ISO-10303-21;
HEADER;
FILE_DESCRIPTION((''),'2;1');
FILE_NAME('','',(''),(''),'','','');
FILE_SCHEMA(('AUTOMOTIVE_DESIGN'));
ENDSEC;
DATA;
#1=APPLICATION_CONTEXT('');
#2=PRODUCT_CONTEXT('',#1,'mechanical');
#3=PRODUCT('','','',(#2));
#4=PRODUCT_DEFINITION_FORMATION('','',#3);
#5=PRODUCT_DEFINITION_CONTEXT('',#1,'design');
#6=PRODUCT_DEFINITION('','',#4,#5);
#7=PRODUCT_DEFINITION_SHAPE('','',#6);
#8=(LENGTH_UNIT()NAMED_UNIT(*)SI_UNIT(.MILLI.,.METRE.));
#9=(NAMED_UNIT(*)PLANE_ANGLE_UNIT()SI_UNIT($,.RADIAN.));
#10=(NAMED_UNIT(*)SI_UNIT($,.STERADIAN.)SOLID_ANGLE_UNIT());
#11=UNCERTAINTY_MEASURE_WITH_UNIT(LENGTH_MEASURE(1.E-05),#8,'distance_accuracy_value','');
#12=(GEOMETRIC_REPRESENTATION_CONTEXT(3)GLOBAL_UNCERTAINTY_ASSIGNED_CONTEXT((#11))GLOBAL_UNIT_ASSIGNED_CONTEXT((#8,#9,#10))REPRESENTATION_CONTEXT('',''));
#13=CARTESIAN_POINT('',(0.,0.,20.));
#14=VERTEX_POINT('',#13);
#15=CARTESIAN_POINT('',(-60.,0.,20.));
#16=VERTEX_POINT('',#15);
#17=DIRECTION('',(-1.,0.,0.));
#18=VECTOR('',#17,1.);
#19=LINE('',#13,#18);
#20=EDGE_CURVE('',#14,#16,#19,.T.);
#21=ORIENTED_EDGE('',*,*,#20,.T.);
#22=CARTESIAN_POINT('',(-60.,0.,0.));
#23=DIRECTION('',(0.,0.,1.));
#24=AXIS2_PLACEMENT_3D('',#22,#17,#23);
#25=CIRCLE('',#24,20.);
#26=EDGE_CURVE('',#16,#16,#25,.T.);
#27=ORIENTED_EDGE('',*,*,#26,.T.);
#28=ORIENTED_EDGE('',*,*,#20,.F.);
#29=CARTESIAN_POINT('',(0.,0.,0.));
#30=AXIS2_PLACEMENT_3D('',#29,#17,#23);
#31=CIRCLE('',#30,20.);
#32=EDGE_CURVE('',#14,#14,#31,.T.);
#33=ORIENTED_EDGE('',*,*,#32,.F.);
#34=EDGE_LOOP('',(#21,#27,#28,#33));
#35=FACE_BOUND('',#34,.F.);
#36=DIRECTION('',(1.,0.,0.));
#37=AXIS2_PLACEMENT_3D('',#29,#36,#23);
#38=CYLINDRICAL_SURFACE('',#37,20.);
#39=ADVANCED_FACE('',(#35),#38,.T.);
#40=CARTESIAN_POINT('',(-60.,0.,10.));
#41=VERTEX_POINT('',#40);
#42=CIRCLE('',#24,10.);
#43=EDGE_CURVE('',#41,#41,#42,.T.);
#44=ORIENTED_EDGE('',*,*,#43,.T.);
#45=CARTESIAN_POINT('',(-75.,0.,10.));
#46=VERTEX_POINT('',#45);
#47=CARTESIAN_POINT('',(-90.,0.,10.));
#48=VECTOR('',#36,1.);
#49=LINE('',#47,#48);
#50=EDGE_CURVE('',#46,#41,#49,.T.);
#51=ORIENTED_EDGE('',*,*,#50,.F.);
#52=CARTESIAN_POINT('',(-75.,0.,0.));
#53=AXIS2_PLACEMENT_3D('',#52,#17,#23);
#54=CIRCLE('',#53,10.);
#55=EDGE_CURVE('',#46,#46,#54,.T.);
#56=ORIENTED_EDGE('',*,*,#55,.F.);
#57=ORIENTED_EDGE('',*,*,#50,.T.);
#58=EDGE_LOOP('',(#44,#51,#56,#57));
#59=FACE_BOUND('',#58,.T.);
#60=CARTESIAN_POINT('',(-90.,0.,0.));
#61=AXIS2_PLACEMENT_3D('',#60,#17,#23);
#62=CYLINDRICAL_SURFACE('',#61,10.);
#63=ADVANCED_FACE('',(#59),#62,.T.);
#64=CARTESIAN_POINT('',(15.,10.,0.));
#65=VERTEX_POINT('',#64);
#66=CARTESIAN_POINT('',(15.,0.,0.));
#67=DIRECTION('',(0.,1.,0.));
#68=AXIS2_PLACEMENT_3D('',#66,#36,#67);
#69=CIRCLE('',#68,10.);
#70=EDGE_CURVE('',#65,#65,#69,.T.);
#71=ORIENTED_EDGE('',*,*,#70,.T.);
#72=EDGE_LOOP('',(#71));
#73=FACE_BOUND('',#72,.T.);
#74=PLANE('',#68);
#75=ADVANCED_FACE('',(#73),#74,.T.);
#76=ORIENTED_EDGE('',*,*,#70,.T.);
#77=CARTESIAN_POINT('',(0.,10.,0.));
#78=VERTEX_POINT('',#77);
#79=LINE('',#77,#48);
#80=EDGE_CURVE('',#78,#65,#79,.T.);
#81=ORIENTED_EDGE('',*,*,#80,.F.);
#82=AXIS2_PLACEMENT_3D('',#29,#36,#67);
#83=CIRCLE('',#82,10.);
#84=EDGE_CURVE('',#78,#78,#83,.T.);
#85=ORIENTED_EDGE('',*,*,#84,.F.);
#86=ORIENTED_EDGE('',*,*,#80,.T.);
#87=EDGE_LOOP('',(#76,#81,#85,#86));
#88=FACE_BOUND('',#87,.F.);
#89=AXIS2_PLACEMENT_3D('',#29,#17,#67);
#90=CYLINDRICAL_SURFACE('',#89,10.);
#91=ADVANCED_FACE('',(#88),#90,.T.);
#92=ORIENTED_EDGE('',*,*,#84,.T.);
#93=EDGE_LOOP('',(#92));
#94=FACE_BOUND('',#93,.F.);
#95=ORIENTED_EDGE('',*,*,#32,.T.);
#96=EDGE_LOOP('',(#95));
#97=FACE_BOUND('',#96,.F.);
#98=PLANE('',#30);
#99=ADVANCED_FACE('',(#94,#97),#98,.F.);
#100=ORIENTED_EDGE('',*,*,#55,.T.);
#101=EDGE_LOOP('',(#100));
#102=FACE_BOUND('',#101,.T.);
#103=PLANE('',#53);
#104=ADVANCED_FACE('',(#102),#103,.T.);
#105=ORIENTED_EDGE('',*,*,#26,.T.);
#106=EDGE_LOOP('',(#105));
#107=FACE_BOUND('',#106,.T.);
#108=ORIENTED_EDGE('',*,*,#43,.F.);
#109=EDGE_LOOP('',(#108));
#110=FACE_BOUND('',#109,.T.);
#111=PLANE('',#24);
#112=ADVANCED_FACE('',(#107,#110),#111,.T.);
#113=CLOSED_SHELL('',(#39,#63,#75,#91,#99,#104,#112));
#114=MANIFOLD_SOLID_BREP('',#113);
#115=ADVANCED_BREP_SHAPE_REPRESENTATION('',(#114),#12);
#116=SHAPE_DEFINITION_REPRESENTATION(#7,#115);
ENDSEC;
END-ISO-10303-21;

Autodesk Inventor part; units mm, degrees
ref_plane "YZ Plane" through (0, 0, 0) normal (1, 0, 0) x (0, 1, 0)
ref_plane "XZ Plane" through (0, 0, 0) normal (0, 1, 0) x (-1, 0, 0)
ref_plane "XY Plane" through (0, 0, 0) normal (0, 0, 1) x (1, 0, 0)
sketch "Sketch2" plane through (0, 0, 0) normal (1, 0, 0) x (0, 1, 0)
  circle A0 centre (0, 0) radius 10
  dimension "d5" = 20
extrude "Extrusion2" add sketch "Sketch2" along normal blind 15
sketch "Sketch3" plane through (0, 0, 0) normal (-1, 0, 0) x (0, 0, 1)
  circle A0 centre (0, 0) radius 20
  dimension "d8" = 40
extrude "Extrusion3" add sketch "Sketch3" along normal blind 90
sketch "Sketch4" plane through (-90, 0, 0) normal (-1, 0, 0) x (0, 0, 1)
  circle A0 centre (0, 0) radius 20 projected
  circle A1 centre (0, 0) radius 10
  circle A2 centre (0, 0) radius 10 projected
  circle A3 centre (0, 0) radius 20
  dimension "d11" = 20
  dimension "d12" = 40
extrude "Extrusion4" cut sketch "Sketch4" against normal blind 30
sketch "Sketch5" plane through (-90, 0, 0) normal (-1, 0, 0) x (0, 0, 1)
  circle A0 centre (0, 0) radius 10
extrude "Extrusion5" cut sketch "Sketch5" against normal blind 15
equation "\"BendRadius\" = Thickness"
equation "\"BendReliefWidth\" = Thickness"
equation "\"BendReliefDepth\" = 0.5 * Thickness"
equation "\"CornerReliefSize\" = 4 * Thickness"
equation "\"MinimumRemnant\" = 2 * Thickness"
equation "\"TransitionRadius\" = BendRadius"
equation "\"JacobiRadiusSize\" = BendRadius"
equation "\"GapSize\" = Thickness"
equation "\"Thickness\" = 0.5"
properties part number "pin2vathmida" material "Bronze, Soft Tin"
